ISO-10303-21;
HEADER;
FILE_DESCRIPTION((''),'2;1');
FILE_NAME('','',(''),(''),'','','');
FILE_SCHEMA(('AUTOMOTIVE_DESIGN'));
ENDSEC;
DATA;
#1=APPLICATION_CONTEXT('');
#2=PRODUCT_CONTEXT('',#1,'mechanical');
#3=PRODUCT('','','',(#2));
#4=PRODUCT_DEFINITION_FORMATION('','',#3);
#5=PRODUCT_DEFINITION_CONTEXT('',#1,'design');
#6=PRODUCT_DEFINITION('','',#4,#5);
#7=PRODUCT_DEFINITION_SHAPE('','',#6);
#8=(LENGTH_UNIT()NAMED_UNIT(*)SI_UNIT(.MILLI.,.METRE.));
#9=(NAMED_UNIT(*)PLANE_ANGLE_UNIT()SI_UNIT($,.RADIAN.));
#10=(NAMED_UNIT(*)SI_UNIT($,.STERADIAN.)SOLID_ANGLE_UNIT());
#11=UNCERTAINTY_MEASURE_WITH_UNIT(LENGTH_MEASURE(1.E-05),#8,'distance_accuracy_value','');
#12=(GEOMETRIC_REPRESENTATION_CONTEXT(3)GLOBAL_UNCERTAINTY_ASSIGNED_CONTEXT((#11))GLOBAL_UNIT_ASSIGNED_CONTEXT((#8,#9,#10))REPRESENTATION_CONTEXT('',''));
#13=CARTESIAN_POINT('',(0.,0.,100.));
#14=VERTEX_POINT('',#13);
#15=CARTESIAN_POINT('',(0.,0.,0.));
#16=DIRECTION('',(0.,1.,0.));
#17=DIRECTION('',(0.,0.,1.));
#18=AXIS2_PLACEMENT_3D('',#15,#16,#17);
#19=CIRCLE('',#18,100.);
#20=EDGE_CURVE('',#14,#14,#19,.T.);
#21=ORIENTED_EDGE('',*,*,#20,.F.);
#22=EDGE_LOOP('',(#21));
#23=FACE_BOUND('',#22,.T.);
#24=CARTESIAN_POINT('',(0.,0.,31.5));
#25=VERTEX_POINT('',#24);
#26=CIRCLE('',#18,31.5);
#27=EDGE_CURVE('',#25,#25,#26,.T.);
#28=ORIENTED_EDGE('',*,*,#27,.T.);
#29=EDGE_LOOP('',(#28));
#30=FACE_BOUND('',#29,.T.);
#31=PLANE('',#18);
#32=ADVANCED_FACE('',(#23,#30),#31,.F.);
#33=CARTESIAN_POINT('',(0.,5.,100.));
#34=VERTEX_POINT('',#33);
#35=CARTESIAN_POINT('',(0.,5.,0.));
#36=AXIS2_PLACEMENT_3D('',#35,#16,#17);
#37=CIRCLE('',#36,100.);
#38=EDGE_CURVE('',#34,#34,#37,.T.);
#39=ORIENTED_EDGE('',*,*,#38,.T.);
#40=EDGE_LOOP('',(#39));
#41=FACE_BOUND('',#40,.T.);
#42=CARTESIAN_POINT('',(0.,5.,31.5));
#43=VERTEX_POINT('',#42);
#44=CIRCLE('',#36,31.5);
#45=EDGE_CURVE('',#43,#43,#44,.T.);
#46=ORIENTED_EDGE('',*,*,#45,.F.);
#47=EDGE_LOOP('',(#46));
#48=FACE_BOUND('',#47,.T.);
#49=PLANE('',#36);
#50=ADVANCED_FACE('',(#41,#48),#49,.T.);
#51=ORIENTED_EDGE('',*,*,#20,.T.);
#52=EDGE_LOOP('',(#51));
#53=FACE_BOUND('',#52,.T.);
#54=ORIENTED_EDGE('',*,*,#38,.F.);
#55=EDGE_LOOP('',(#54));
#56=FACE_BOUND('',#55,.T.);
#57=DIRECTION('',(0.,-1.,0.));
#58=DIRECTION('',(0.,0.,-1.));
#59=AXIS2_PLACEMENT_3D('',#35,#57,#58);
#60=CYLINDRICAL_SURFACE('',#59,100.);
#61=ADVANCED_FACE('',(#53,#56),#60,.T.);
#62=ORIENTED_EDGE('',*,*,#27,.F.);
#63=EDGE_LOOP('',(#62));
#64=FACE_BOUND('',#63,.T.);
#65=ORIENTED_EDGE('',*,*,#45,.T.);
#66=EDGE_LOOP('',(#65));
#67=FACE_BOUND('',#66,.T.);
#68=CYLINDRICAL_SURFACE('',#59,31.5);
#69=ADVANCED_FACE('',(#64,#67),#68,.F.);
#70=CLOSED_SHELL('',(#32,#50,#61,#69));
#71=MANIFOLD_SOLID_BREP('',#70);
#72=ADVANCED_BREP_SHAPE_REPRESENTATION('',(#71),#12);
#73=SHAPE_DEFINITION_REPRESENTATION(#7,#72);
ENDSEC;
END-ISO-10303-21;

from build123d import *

# Parameters (mm, degrees)
SKETCH3_R           = 100
SKETCH3_R_2         = 31.5
BOSS_EXTRUDE2_DEPTH = 5


with BuildPart() as part:
    # Sketch3 → Boss-Extrude2 (new body)
    with BuildSketch(Plane(origin=(0, 0, 0), x_dir=(1, 0, 0), z_dir=(0, 1, 0))):
        Circle(SKETCH3_R)
        Circle(SKETCH3_R_2, mode=Mode.SUBTRACT)
    extrude(amount=BOSS_EXTRUDE2_DEPTH)


solid = part.part
